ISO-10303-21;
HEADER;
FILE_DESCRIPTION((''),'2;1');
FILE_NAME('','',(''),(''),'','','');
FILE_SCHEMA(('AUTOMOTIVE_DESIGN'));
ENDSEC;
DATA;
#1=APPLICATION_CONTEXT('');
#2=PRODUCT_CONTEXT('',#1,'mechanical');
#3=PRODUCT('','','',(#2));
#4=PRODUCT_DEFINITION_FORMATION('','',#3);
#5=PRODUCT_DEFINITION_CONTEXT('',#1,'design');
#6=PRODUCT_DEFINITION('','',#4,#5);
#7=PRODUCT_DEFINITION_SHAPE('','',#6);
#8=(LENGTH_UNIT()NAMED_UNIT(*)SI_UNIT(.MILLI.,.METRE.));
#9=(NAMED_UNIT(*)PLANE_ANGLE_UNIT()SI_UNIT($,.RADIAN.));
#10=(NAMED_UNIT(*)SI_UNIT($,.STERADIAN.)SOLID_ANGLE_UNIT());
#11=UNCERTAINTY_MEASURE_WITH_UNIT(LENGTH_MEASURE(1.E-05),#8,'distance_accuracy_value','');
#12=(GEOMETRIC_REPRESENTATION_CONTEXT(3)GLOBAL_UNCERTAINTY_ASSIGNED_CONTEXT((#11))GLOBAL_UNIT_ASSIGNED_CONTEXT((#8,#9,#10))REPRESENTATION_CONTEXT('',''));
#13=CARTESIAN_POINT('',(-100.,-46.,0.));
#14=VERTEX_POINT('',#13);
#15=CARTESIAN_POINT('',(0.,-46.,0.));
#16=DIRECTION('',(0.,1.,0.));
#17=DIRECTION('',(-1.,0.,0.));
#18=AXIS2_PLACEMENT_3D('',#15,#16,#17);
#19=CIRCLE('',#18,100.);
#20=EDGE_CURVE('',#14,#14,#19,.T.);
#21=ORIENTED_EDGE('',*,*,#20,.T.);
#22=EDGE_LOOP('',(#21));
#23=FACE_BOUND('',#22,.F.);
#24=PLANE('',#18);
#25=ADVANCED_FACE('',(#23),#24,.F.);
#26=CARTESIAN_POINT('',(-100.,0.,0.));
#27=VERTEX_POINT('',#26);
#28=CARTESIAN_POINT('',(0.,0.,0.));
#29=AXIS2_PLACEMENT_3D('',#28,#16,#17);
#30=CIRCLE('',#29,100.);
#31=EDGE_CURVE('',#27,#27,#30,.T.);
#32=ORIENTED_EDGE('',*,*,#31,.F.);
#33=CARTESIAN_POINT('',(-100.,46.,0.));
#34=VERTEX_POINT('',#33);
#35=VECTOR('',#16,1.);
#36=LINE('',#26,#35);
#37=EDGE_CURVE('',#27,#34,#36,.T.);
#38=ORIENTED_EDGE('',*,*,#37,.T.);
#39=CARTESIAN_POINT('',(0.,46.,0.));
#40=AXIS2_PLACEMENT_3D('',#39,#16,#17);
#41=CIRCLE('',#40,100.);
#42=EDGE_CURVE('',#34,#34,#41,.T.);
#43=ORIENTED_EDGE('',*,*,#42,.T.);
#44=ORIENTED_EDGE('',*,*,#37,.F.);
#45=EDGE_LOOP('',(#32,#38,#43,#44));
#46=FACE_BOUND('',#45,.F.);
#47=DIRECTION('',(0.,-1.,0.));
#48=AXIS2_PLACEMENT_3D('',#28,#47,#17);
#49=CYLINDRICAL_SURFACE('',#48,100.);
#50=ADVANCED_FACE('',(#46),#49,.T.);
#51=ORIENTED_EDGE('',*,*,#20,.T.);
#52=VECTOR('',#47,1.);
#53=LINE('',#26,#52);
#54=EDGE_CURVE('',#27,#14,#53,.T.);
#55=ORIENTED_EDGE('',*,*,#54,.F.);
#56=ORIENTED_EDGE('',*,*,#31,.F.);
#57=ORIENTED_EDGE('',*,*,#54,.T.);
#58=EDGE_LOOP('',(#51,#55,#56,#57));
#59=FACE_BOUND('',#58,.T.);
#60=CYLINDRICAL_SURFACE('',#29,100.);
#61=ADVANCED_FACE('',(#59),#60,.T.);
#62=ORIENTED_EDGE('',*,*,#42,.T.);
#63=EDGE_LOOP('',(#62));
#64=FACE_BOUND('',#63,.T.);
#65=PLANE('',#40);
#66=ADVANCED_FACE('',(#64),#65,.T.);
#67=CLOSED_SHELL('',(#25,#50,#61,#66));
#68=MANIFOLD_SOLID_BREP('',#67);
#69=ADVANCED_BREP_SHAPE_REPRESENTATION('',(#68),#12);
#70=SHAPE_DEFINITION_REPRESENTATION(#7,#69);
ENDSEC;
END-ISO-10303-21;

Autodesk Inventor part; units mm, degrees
ref_plane "YZ Plane" through (0, 0, 0) normal (1, 0, 0) x (0, 1, 0)
ref_plane "XZ Plane" through (0, 0, 0) normal (0, 1, 0) x (-1, 0, 0)
ref_plane "XY Plane" through (0, 0, 0) normal (0, 0, 1) x (1, 0, 0)
sketch "Sketch1" plane through (0, 0, 0) normal (0, 1, 0) x (-1, 0, 0)
  circle A0 centre (0, 0) radius 100
  dimension "d0" = 200
extrude "Extrusion1" add sketch "Sketch1" along normal mid plane 92
properties part number "projectile" material "Steel, Mild"
